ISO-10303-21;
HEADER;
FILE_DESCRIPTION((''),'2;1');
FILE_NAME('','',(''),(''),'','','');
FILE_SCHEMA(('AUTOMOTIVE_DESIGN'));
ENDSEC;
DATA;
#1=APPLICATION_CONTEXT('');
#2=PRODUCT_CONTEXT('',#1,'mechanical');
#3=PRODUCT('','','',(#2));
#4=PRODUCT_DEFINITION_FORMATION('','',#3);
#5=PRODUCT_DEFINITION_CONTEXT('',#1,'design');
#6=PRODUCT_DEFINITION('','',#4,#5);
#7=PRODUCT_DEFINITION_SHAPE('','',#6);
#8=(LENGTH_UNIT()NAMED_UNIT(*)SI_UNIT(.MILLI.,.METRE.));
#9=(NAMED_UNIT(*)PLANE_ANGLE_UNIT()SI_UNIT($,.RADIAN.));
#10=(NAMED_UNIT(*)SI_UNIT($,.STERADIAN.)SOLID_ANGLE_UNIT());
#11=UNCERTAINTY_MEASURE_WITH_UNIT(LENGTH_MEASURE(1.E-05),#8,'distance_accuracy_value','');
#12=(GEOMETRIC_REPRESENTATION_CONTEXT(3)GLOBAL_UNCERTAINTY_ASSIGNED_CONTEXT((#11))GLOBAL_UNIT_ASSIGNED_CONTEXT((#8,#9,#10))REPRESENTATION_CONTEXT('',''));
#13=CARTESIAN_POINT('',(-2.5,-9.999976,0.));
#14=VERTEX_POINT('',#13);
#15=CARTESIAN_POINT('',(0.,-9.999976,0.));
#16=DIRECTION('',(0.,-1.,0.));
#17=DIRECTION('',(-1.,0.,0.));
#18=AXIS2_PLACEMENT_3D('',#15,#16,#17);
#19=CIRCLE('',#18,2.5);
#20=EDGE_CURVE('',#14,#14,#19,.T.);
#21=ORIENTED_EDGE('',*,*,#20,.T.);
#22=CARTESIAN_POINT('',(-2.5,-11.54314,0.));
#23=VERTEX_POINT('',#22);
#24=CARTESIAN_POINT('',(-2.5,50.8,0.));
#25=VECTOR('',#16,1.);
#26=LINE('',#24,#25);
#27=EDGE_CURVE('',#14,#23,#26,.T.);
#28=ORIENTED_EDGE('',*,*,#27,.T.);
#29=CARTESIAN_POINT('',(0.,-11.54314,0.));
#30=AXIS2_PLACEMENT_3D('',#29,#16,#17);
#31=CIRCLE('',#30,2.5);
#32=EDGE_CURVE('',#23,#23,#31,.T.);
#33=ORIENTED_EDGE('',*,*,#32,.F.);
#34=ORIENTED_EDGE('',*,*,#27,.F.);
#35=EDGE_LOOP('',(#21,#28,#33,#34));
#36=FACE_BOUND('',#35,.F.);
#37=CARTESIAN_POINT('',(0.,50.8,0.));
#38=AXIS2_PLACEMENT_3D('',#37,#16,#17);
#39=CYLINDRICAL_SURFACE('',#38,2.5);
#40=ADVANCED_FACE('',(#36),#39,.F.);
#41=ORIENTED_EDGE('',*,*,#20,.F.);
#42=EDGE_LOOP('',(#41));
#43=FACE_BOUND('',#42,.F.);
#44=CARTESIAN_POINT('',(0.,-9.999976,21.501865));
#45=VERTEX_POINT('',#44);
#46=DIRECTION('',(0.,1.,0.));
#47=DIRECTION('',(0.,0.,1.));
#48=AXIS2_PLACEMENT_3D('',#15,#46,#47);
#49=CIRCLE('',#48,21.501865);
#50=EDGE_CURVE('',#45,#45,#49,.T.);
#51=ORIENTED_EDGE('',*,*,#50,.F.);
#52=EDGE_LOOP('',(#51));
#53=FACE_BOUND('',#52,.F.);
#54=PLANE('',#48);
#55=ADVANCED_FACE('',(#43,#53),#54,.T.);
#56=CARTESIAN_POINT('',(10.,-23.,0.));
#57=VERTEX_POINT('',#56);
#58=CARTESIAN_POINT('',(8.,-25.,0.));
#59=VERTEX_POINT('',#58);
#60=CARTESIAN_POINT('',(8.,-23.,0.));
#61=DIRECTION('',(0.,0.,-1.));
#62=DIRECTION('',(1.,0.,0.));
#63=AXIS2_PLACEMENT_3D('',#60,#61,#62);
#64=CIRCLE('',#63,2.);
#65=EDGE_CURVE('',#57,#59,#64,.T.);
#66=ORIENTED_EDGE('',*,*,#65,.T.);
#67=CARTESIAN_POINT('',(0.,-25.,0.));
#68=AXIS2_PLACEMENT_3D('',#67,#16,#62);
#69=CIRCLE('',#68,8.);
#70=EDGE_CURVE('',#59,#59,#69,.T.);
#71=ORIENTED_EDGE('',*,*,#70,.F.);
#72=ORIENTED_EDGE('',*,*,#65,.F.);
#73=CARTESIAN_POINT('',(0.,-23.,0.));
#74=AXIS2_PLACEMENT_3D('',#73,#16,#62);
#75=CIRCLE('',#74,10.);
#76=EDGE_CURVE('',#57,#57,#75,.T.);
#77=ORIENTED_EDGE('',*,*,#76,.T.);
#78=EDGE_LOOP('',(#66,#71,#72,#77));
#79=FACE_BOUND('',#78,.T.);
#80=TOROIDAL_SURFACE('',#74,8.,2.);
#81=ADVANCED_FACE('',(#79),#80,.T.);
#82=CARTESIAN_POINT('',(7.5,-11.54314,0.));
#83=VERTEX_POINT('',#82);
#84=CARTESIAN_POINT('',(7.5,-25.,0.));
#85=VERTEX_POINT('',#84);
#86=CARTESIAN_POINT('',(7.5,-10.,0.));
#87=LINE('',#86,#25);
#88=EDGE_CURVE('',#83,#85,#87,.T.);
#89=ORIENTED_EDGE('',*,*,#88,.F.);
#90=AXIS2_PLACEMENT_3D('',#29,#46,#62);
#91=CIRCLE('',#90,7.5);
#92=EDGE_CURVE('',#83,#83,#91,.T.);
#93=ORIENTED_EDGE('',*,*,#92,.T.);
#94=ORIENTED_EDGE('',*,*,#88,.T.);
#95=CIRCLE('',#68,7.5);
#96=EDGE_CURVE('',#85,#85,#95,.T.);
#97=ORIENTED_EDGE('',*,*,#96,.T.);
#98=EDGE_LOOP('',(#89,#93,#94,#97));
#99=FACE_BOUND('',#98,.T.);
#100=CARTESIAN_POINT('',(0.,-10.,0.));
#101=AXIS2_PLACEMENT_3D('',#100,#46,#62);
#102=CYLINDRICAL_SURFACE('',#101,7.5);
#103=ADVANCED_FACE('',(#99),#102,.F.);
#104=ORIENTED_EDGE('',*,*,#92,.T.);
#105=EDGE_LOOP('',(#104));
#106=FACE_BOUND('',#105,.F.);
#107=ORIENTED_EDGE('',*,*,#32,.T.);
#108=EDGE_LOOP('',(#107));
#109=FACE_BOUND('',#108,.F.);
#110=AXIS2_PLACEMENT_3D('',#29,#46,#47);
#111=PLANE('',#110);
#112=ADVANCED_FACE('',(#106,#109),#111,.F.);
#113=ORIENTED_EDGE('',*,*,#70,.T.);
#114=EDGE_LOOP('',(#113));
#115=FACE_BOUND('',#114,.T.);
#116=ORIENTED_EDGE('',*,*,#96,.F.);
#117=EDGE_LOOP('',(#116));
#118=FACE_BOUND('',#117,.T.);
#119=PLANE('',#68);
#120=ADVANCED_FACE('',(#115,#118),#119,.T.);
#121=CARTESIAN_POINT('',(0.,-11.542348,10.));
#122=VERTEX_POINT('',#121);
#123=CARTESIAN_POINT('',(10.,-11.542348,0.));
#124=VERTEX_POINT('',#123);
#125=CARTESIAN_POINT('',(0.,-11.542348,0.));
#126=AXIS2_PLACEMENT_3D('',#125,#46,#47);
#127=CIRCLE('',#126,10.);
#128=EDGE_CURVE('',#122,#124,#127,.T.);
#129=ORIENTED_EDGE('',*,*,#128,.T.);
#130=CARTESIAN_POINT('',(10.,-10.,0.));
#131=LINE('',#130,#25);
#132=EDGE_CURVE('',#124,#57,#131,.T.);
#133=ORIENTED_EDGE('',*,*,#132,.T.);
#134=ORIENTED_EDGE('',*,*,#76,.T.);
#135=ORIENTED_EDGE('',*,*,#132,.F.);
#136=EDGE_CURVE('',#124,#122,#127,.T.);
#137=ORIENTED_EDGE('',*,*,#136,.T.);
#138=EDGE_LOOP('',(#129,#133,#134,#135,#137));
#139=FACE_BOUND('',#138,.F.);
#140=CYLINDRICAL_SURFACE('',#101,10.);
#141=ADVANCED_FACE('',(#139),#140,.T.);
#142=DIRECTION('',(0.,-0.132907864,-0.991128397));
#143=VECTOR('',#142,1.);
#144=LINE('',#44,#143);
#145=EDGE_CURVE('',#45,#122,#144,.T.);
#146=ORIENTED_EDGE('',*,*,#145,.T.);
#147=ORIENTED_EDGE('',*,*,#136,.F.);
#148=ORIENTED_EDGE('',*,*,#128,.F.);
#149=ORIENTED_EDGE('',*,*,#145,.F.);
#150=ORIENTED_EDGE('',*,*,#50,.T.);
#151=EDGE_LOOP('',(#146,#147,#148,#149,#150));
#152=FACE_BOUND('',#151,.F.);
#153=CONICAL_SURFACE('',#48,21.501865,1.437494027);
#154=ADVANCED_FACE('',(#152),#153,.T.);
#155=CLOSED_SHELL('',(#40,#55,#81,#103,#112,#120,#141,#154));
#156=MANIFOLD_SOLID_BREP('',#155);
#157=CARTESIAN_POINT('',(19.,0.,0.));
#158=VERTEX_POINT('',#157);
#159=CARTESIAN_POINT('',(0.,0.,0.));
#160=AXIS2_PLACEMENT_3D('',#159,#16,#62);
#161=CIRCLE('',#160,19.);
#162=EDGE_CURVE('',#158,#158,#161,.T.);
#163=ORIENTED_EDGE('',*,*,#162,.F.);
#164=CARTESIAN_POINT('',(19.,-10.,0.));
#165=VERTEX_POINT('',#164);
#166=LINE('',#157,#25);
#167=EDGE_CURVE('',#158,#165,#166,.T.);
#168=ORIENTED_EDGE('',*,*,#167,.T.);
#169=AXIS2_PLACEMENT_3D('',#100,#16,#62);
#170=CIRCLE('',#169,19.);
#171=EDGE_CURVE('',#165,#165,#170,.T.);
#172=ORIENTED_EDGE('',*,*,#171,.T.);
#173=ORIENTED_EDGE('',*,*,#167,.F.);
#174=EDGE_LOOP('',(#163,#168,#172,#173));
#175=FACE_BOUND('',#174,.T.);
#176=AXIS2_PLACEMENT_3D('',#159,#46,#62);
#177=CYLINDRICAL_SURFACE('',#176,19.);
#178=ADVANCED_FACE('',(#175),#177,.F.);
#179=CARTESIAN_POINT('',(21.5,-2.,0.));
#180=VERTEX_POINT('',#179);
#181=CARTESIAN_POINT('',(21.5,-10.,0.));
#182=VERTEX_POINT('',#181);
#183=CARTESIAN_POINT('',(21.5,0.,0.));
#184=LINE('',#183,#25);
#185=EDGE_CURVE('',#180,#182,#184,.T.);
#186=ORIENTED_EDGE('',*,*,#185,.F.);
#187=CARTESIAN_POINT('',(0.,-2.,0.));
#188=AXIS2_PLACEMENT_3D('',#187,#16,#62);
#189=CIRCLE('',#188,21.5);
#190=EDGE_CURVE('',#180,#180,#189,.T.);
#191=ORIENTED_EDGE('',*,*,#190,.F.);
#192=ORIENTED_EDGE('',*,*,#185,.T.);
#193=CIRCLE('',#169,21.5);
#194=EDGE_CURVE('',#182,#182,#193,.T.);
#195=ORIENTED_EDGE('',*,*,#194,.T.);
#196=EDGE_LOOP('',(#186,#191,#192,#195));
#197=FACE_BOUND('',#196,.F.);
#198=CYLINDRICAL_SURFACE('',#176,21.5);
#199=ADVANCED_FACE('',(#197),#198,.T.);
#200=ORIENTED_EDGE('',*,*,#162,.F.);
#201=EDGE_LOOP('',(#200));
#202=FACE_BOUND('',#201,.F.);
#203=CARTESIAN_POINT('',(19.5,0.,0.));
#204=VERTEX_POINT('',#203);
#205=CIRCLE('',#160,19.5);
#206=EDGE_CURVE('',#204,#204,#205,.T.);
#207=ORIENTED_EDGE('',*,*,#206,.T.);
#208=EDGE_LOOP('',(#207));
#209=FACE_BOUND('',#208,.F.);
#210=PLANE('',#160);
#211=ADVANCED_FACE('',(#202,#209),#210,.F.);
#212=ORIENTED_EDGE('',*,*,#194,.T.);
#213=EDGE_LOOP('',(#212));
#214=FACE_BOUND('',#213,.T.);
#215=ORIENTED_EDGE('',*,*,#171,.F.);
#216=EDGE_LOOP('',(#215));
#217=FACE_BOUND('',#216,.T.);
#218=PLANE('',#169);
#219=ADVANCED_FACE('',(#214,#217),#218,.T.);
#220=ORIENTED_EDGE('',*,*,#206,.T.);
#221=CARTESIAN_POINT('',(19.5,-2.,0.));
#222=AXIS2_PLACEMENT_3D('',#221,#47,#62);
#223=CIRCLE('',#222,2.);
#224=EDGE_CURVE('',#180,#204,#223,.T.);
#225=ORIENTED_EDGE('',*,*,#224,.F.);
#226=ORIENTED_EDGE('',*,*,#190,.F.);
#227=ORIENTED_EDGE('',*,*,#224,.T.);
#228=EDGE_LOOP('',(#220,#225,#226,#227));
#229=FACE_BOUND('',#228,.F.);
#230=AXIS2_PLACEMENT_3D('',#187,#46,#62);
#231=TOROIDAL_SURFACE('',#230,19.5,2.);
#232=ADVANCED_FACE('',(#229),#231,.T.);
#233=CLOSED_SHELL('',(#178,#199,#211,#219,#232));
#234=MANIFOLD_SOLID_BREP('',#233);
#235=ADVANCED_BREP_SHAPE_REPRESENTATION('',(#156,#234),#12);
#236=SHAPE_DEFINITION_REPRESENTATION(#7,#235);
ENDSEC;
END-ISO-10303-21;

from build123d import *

# Parameters (mm, degrees)
F0_R     = 21.5
F0_R_2   = 19
F1_DEPTH = 10
F5_R     = 10
F5_R_2   = 7.5
F6_DEPTH = 15
F8_D     = 5
F8_DEPTH = 50.8
F9_R     = 2
F10_R    = 2


with BuildPart() as f1:
    # F0 (on Front) → F1 (new body)
    with BuildSketch(Plane.XZ):
        Circle(F0_R)
        Circle(F0_R_2, mode=Mode.SUBTRACT)
    extrude(amount=F1_DEPTH)

    # F9
    f9_edges = [f1.edges().sort_by_distance(p)[0] for p in [
        (-21.5, 0, 0),
    ]]
    fillet(f9_edges, radius=F9_R)


with BuildPart() as f4:
    # F3 (on Right) → F4 (revolve)
    with BuildSketch(Plane.YZ):
        Polygon((-11.54314, 0), (-9.999976, 0), (-9.999976, 21.501865), (-11.54314, 9.994091), align=None)
    revolve(axis=Axis((0, -10.771558, 0), (0, 1, 0)))

    # F5 (on offset) → F6 (join)
    with BuildSketch(Plane.XZ.offset(10)):
        Circle(F5_R)
        Circle(F5_R_2, mode=Mode.SUBTRACT)
    extrude(amount=F6_DEPTH)

    # F8
    with Locations(Plane(origin=(0, 0, 0), x_dir=(1, 0, 0), z_dir=(0, 1, 0))):
        with Locations((0, 0)):
            Hole(F8_D / 2, depth=F8_DEPTH)

    # F10
    f10_edges = [f4.edges().sort_by_distance(p)[0] for p in [
        (-10, -25, 0),
    ]]
    fillet(f10_edges, radius=F10_R)


solid = Compound([f1.part, f4.part])
